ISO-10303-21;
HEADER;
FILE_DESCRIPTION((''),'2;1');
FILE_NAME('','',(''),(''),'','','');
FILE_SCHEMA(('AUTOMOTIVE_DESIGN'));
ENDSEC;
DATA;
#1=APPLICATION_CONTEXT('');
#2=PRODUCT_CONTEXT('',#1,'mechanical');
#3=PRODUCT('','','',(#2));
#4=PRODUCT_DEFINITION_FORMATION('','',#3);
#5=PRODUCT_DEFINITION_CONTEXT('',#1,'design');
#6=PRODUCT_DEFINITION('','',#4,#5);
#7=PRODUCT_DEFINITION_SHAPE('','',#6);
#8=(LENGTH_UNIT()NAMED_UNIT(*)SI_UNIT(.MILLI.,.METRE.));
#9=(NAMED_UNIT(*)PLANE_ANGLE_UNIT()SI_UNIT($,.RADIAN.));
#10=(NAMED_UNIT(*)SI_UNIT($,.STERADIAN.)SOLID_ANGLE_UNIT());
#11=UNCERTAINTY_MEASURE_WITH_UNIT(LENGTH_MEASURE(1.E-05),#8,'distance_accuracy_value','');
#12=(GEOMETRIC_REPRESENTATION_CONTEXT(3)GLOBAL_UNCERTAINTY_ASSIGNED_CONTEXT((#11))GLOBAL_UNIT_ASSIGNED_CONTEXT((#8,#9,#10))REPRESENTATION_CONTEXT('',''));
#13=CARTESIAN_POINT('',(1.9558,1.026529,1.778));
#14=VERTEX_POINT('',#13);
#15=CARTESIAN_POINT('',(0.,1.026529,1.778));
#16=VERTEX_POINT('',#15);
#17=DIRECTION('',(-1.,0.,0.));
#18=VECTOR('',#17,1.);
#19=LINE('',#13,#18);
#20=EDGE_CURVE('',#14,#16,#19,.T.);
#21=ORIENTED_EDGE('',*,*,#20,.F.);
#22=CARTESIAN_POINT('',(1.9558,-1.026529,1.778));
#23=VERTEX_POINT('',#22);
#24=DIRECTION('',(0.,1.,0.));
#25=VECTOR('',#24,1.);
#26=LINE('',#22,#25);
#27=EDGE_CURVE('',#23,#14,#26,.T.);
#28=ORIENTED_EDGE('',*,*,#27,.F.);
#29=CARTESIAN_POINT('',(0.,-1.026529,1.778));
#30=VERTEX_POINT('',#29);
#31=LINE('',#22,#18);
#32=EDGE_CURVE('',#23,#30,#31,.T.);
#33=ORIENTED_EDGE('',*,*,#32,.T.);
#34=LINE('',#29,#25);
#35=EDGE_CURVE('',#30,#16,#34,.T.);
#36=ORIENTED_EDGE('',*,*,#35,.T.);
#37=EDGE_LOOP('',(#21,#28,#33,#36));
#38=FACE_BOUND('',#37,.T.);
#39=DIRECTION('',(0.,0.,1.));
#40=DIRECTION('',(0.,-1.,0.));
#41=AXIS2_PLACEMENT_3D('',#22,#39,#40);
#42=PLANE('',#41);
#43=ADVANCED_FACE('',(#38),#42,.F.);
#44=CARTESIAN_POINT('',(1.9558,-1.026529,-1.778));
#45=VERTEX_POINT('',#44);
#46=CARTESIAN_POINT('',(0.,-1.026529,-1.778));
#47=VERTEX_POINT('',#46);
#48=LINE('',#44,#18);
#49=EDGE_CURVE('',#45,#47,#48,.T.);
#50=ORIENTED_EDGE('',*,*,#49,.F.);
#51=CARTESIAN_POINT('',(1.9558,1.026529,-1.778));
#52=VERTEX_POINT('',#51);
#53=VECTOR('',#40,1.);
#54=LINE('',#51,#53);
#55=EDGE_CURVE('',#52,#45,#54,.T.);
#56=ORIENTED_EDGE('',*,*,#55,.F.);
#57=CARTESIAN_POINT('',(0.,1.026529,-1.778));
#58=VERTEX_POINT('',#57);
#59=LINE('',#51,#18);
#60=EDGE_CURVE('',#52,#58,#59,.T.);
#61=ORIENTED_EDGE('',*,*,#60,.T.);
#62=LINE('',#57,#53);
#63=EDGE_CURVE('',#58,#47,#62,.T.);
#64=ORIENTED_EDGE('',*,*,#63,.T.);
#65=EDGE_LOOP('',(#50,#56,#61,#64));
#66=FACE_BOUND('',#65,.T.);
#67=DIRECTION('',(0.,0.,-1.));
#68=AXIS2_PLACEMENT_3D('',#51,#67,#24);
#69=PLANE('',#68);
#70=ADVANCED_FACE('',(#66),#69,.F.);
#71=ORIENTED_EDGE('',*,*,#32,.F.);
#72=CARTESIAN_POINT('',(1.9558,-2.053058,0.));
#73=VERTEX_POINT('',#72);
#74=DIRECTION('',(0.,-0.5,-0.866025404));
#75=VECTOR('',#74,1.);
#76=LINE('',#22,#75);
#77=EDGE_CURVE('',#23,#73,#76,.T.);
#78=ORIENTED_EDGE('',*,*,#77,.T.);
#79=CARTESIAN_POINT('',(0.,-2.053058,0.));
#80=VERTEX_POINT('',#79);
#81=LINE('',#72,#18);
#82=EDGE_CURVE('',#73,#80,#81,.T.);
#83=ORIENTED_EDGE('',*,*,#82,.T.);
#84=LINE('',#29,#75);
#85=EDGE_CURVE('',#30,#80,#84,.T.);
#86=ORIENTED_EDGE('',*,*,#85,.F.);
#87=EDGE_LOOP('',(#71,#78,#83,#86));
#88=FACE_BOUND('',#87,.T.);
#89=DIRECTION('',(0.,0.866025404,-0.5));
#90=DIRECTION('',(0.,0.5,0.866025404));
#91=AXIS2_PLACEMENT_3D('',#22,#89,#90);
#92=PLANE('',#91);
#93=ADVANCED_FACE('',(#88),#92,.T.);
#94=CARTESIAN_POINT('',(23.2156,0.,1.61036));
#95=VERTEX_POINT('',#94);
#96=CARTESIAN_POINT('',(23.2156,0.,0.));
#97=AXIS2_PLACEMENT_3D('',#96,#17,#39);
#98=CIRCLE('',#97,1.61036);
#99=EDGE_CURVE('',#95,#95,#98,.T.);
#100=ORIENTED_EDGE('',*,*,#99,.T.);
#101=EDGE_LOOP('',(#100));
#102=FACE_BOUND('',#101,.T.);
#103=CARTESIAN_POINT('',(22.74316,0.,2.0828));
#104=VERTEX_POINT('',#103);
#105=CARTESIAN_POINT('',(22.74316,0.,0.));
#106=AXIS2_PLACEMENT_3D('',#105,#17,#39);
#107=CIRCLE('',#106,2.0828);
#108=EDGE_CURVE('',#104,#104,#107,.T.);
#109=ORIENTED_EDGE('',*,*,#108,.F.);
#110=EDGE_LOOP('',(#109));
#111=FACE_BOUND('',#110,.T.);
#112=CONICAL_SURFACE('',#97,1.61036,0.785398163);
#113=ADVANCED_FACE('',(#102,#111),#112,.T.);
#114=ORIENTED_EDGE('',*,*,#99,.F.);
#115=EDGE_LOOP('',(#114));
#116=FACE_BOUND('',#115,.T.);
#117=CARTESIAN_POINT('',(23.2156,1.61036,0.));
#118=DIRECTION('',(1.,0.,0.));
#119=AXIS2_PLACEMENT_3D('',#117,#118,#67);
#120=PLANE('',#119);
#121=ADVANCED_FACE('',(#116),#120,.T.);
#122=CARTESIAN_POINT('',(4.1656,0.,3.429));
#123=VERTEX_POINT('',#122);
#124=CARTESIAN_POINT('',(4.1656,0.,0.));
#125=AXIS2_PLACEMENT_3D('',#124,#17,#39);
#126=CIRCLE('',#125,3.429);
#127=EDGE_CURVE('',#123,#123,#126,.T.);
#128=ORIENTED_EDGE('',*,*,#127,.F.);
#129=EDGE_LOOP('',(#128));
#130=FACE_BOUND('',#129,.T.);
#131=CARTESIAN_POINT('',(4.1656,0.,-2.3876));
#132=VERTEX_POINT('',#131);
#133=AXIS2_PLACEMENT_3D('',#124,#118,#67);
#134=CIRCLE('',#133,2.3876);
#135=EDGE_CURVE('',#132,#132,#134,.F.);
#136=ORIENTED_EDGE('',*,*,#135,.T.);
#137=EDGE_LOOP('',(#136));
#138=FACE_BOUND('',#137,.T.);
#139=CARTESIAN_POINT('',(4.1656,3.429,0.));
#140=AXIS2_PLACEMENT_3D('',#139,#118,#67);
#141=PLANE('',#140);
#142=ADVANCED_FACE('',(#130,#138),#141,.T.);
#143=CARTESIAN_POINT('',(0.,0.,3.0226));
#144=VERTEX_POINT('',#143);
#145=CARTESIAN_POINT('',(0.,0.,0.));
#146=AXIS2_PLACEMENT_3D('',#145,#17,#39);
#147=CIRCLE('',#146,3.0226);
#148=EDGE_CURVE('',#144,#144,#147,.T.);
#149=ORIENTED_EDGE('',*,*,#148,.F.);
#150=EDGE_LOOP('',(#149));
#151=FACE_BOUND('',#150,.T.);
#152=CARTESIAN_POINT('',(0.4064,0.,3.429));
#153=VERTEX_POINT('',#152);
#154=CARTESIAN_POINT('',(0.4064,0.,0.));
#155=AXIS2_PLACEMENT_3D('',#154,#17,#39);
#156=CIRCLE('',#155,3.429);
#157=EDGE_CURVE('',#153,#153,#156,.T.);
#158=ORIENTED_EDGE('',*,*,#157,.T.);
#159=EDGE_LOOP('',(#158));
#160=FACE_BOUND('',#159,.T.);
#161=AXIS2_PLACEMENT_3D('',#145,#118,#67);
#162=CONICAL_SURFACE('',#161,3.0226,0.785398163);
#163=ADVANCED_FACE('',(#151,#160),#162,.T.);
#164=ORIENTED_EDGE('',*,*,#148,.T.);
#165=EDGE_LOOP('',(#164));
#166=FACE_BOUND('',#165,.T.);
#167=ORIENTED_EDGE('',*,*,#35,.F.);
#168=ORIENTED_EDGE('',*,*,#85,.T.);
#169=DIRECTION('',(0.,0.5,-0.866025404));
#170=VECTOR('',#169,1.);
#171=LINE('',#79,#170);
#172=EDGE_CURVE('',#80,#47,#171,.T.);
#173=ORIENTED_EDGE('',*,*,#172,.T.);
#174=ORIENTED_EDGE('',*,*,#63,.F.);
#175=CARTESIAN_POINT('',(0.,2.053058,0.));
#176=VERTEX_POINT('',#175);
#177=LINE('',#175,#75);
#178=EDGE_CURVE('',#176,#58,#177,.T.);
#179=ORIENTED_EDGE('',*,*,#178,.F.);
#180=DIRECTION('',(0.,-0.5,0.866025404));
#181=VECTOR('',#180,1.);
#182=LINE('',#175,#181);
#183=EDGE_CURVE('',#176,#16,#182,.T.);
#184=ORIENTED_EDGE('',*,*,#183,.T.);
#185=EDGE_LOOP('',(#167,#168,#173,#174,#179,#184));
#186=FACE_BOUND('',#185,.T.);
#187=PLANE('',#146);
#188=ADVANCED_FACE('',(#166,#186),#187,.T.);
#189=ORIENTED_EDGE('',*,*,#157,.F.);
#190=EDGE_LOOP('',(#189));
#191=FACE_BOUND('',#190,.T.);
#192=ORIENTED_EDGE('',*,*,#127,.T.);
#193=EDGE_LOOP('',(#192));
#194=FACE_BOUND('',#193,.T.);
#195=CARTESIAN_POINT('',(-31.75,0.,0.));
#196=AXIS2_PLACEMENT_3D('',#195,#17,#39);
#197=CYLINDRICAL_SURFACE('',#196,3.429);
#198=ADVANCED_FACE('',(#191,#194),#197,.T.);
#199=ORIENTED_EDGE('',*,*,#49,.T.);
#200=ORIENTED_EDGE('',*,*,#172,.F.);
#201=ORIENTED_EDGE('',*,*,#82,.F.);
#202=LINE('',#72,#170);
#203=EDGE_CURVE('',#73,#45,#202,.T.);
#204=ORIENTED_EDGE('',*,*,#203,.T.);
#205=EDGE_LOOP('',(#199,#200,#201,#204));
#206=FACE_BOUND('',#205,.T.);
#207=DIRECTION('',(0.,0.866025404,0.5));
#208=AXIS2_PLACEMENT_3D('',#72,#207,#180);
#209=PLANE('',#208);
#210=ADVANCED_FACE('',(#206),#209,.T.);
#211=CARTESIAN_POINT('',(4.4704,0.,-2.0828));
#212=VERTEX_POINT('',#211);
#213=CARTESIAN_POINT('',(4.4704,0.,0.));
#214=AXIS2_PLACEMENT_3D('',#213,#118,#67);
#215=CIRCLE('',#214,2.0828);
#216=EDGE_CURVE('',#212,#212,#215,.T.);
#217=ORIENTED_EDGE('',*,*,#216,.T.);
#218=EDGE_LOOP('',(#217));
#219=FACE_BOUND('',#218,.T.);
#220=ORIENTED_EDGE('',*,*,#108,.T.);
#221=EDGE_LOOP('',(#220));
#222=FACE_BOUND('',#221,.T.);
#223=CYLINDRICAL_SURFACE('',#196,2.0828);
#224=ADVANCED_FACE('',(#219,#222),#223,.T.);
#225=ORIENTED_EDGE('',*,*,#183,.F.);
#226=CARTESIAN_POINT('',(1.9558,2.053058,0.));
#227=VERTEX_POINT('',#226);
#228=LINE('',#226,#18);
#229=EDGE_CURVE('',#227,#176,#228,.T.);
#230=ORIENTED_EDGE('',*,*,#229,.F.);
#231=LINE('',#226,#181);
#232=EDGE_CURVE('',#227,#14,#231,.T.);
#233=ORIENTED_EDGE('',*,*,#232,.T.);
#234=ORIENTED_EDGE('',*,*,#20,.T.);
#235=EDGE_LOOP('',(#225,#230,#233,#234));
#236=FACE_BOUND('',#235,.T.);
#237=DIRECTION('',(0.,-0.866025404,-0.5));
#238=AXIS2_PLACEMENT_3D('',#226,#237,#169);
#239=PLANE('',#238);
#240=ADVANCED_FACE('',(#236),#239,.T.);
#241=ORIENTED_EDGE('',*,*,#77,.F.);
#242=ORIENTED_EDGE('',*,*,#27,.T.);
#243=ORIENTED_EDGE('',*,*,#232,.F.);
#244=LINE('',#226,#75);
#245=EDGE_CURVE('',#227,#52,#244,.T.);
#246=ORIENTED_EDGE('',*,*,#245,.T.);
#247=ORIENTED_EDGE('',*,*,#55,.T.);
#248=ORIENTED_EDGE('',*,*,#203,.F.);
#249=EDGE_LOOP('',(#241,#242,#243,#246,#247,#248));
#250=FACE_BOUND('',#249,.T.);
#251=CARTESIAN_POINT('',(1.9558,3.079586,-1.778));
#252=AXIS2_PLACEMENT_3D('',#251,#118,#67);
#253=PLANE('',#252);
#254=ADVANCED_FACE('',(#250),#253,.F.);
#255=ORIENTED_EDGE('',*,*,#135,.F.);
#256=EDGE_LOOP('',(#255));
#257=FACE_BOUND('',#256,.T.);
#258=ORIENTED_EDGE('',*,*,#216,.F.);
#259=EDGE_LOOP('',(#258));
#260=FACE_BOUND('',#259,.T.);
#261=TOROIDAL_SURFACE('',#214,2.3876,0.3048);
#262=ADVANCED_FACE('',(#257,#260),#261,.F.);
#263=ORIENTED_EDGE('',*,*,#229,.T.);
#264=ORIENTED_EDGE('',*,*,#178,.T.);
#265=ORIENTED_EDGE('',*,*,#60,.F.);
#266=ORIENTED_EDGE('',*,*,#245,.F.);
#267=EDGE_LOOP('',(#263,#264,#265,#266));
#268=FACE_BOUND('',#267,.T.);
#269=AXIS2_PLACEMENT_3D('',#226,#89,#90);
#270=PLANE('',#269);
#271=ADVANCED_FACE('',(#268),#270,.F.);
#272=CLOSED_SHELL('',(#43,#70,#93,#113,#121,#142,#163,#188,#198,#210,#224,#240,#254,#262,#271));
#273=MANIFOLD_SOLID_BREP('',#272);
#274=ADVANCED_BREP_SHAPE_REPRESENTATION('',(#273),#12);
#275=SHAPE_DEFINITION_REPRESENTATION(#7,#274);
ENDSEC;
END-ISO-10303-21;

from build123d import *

# Parameters (mm, degrees)
FILLET1_R   = 0.3048
HEX_2_DEPTH = 1.9558


with BuildPart() as part:
    # BodySke → Base-Revolve (revolve)
    with BuildSketch(Plane.XY):
        Polygon((0, 0), (0, 3.0226), (0.4064, 3.429), (4.1656, 3.429), (4.1656, 2.0828), (22.74316, 2.0828), (23.2156, 1.61036), (23.2156, 0), align=None)
    revolve(axis=Axis((-31.75, 0, 0), (1, 0, 0)))

    # Fillet1
    fillet1_edges = [part.edges().sort_by_distance(p)[0] for p in [
        (4.1656, -2.0828, 0),
    ]]
    fillet(fillet1_edges, radius=FILLET1_R)

    # Sketch3 → Hex 2 (cut)
    with BuildSketch(Plane(origin=(0, 0, 0), x_dir=(0, 0.500000000000001, 0.866025403784438), z_dir=(-1, 0, 0))):
        Polygon((1.026528779, 1.778), (-1.026528779, 1.778), (-2.053057557, 0), (-1.026528779, -1.778), (1.026528779, -1.778), (2.053057557, 0), align=None)
    extrude(amount=-HEX_2_DEPTH, mode=Mode.SUBTRACT)


solid = part.part
